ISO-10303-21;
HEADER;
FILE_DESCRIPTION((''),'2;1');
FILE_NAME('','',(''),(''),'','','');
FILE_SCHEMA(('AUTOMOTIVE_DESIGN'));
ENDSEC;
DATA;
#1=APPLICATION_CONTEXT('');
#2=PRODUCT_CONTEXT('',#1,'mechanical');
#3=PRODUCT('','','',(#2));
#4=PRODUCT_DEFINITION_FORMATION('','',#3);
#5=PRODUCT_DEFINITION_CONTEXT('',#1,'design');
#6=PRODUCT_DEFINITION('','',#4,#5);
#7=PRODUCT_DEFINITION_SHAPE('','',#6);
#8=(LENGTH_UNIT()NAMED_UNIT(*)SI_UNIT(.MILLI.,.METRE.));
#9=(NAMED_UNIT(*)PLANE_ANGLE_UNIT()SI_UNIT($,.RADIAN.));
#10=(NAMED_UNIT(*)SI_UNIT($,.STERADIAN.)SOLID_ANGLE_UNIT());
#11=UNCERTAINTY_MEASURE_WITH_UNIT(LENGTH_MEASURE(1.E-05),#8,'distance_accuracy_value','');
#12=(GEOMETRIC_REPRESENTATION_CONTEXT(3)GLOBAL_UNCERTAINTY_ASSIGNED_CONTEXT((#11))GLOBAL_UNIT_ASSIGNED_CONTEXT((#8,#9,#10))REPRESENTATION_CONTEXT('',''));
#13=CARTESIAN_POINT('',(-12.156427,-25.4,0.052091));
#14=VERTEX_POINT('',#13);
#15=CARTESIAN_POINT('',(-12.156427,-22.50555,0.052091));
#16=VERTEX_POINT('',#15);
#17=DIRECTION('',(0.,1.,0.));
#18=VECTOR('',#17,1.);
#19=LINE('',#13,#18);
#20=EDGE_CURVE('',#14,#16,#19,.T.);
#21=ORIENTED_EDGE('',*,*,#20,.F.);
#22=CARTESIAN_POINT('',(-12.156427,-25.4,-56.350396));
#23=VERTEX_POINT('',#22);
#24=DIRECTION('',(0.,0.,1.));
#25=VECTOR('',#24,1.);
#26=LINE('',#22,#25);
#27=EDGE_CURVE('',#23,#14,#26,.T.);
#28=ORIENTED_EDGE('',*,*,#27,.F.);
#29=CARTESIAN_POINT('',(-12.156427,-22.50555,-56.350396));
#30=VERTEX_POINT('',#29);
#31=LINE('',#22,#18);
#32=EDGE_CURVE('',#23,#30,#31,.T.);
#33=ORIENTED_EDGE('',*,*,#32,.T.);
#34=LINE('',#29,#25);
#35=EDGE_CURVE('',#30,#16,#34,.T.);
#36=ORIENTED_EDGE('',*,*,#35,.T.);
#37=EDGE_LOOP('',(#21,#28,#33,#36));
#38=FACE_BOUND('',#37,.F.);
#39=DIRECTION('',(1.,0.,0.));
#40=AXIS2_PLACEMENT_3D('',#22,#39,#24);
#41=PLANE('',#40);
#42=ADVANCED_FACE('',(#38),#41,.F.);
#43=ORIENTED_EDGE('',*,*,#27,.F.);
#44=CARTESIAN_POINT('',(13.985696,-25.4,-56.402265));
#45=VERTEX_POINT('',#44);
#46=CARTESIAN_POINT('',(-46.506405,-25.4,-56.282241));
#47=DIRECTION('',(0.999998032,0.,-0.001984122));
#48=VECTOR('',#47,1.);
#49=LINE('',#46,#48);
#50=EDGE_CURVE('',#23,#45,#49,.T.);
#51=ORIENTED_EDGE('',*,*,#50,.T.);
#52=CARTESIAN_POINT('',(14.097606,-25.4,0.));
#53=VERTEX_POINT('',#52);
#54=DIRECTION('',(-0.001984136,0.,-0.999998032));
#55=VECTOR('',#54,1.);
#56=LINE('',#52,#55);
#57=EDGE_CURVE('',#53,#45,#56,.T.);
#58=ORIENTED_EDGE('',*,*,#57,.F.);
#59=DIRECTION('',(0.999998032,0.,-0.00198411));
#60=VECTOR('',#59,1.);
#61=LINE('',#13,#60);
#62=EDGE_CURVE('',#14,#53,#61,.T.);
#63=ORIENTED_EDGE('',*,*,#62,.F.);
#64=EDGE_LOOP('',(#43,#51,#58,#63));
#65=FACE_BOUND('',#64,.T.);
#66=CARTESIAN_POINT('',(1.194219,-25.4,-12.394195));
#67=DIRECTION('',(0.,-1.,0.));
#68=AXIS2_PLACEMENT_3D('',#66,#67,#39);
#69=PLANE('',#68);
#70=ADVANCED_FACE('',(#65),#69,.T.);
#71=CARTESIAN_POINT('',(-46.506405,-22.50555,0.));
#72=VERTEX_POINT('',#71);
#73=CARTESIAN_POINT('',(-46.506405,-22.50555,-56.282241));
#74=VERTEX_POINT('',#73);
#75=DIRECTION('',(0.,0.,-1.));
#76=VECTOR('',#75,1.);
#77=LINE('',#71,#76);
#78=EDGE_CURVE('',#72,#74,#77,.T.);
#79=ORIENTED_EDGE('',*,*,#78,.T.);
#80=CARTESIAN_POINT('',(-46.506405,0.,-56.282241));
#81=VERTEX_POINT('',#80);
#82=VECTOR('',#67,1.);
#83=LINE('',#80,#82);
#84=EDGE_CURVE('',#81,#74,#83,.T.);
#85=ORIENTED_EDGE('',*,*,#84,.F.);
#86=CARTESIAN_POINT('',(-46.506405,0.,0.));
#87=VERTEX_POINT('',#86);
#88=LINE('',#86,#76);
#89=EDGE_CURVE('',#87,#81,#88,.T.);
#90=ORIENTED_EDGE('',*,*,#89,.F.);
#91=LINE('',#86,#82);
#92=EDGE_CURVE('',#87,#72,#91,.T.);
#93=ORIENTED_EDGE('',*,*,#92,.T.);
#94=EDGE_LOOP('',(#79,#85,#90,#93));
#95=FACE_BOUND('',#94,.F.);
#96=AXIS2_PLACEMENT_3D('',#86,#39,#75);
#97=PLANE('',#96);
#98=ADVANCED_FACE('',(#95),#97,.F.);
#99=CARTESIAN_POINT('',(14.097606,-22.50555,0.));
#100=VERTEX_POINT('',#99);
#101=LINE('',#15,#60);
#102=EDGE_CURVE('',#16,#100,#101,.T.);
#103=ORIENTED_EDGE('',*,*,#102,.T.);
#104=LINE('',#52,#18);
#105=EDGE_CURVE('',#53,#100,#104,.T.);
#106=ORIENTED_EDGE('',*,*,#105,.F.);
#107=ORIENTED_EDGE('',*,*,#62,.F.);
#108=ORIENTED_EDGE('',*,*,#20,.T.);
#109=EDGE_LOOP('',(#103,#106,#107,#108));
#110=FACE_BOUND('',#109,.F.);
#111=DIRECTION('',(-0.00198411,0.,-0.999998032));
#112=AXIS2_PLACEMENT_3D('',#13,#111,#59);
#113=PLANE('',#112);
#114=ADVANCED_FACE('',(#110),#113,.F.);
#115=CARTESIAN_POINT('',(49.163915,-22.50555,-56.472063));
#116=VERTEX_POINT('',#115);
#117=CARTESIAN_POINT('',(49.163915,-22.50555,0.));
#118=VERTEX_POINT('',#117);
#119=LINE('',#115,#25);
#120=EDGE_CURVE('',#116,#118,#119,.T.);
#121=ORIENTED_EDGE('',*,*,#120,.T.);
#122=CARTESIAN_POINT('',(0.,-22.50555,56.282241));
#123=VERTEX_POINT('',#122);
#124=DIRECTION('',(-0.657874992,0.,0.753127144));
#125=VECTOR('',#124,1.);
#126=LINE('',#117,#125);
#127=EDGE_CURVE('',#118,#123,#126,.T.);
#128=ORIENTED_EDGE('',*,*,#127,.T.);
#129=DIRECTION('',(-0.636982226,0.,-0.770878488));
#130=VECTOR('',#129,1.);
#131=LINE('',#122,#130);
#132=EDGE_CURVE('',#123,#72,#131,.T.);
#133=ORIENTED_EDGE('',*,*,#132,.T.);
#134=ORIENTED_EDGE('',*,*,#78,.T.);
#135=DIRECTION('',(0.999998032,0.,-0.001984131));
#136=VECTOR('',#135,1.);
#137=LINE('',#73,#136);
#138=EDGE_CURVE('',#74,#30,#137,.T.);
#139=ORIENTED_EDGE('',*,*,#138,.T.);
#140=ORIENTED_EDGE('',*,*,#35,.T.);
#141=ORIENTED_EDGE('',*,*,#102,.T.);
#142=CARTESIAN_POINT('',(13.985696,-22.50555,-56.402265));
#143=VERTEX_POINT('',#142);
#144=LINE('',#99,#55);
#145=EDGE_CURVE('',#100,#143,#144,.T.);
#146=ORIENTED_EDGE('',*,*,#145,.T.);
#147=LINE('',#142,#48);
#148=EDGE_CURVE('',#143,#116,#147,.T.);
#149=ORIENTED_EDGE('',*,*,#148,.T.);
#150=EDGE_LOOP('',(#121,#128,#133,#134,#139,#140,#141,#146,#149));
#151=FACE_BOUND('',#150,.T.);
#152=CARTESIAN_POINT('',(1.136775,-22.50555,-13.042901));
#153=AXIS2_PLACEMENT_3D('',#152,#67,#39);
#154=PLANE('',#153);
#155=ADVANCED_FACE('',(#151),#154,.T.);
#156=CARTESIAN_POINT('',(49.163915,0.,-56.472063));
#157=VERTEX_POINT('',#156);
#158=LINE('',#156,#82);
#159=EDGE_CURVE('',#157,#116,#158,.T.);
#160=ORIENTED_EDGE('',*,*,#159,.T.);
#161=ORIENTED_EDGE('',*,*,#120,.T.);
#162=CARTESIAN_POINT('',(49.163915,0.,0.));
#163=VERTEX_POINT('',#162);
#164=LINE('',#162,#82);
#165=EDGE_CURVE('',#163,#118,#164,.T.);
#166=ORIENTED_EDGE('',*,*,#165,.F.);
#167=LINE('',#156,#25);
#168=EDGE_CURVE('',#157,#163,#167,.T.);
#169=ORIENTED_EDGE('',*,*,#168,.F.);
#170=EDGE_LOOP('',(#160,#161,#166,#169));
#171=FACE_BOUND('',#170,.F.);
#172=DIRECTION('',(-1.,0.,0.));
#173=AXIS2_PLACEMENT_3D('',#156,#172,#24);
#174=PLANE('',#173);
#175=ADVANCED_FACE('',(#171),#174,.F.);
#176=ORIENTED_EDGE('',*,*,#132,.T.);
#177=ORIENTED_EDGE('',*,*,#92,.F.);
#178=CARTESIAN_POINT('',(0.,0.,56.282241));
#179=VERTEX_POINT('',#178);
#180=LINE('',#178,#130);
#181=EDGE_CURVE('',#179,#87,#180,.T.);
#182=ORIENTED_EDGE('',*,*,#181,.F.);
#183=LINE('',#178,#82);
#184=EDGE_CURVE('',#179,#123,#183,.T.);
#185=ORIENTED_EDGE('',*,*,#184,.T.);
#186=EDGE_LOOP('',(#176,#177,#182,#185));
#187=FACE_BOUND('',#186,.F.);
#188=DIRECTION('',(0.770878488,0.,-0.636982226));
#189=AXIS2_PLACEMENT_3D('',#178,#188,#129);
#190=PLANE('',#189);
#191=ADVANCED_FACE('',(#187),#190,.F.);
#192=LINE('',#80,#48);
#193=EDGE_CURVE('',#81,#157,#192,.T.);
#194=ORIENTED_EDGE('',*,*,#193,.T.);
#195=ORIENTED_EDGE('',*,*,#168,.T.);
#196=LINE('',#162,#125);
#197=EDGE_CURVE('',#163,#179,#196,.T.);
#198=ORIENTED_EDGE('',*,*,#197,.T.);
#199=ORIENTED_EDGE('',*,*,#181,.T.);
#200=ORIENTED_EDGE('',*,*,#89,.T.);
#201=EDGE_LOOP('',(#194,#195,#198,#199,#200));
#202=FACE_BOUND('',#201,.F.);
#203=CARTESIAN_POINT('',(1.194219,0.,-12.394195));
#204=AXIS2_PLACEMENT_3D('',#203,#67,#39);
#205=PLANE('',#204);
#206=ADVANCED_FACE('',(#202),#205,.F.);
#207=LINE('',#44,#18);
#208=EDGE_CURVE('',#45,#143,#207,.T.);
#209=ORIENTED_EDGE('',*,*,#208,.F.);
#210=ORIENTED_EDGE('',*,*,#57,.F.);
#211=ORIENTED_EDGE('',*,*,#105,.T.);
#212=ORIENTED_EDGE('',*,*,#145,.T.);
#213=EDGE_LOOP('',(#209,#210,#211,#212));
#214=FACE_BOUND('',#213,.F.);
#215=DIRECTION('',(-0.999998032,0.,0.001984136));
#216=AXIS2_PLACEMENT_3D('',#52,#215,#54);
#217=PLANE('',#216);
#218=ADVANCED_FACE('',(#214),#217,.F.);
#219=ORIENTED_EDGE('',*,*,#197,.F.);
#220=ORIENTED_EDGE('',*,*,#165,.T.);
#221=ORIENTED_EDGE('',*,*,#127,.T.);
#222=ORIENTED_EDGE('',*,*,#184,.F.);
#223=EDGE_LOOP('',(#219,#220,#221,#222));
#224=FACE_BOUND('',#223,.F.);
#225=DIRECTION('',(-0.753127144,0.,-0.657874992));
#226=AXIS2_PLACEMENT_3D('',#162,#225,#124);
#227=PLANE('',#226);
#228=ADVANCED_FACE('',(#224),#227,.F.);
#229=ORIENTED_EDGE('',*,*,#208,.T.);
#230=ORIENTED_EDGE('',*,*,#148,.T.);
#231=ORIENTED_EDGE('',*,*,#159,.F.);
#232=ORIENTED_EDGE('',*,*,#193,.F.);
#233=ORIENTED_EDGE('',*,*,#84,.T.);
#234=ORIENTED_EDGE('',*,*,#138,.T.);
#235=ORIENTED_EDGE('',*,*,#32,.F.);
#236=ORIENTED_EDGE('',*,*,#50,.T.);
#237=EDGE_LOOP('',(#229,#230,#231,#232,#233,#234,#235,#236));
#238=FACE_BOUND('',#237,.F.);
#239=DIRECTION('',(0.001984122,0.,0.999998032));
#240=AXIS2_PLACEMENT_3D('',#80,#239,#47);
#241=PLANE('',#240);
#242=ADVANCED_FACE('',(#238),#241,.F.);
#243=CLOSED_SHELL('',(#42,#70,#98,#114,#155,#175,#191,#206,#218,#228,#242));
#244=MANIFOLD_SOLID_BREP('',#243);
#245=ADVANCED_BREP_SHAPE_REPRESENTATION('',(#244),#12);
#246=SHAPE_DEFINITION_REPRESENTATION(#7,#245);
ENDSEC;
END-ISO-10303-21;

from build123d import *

# Parameters (mm, degrees)
F1_DEPTH = 25.4
F3_DEPTH = 2.89445


with BuildPart() as f1:
    # F0 (on Front) → F1 (new body)
    with BuildSketch(Plane.XZ):
        Polygon((49.163915, 0), (0, 56.282241), (-46.506405, 0), (-46.506405, -56.282241), (49.163915, -56.472063), align=None)
    extrude(amount=F1_DEPTH)

    # F2 (on face) → F3 (cut)
    with BuildSketch(Plane.XZ.offset(25.4)):
        Polygon((14.097606, 0), (13.985696, -56.402265), (49.163915, -56.472063), (49.163915, 0), (0, 56.282241), (-46.506405, 0), (-46.506405, -56.282241), (-12.156427, -56.350396), (-12.156427, 0.052091), align=None)
    extrude(amount=-F3_DEPTH, mode=Mode.SUBTRACT)


solid = f1.part
